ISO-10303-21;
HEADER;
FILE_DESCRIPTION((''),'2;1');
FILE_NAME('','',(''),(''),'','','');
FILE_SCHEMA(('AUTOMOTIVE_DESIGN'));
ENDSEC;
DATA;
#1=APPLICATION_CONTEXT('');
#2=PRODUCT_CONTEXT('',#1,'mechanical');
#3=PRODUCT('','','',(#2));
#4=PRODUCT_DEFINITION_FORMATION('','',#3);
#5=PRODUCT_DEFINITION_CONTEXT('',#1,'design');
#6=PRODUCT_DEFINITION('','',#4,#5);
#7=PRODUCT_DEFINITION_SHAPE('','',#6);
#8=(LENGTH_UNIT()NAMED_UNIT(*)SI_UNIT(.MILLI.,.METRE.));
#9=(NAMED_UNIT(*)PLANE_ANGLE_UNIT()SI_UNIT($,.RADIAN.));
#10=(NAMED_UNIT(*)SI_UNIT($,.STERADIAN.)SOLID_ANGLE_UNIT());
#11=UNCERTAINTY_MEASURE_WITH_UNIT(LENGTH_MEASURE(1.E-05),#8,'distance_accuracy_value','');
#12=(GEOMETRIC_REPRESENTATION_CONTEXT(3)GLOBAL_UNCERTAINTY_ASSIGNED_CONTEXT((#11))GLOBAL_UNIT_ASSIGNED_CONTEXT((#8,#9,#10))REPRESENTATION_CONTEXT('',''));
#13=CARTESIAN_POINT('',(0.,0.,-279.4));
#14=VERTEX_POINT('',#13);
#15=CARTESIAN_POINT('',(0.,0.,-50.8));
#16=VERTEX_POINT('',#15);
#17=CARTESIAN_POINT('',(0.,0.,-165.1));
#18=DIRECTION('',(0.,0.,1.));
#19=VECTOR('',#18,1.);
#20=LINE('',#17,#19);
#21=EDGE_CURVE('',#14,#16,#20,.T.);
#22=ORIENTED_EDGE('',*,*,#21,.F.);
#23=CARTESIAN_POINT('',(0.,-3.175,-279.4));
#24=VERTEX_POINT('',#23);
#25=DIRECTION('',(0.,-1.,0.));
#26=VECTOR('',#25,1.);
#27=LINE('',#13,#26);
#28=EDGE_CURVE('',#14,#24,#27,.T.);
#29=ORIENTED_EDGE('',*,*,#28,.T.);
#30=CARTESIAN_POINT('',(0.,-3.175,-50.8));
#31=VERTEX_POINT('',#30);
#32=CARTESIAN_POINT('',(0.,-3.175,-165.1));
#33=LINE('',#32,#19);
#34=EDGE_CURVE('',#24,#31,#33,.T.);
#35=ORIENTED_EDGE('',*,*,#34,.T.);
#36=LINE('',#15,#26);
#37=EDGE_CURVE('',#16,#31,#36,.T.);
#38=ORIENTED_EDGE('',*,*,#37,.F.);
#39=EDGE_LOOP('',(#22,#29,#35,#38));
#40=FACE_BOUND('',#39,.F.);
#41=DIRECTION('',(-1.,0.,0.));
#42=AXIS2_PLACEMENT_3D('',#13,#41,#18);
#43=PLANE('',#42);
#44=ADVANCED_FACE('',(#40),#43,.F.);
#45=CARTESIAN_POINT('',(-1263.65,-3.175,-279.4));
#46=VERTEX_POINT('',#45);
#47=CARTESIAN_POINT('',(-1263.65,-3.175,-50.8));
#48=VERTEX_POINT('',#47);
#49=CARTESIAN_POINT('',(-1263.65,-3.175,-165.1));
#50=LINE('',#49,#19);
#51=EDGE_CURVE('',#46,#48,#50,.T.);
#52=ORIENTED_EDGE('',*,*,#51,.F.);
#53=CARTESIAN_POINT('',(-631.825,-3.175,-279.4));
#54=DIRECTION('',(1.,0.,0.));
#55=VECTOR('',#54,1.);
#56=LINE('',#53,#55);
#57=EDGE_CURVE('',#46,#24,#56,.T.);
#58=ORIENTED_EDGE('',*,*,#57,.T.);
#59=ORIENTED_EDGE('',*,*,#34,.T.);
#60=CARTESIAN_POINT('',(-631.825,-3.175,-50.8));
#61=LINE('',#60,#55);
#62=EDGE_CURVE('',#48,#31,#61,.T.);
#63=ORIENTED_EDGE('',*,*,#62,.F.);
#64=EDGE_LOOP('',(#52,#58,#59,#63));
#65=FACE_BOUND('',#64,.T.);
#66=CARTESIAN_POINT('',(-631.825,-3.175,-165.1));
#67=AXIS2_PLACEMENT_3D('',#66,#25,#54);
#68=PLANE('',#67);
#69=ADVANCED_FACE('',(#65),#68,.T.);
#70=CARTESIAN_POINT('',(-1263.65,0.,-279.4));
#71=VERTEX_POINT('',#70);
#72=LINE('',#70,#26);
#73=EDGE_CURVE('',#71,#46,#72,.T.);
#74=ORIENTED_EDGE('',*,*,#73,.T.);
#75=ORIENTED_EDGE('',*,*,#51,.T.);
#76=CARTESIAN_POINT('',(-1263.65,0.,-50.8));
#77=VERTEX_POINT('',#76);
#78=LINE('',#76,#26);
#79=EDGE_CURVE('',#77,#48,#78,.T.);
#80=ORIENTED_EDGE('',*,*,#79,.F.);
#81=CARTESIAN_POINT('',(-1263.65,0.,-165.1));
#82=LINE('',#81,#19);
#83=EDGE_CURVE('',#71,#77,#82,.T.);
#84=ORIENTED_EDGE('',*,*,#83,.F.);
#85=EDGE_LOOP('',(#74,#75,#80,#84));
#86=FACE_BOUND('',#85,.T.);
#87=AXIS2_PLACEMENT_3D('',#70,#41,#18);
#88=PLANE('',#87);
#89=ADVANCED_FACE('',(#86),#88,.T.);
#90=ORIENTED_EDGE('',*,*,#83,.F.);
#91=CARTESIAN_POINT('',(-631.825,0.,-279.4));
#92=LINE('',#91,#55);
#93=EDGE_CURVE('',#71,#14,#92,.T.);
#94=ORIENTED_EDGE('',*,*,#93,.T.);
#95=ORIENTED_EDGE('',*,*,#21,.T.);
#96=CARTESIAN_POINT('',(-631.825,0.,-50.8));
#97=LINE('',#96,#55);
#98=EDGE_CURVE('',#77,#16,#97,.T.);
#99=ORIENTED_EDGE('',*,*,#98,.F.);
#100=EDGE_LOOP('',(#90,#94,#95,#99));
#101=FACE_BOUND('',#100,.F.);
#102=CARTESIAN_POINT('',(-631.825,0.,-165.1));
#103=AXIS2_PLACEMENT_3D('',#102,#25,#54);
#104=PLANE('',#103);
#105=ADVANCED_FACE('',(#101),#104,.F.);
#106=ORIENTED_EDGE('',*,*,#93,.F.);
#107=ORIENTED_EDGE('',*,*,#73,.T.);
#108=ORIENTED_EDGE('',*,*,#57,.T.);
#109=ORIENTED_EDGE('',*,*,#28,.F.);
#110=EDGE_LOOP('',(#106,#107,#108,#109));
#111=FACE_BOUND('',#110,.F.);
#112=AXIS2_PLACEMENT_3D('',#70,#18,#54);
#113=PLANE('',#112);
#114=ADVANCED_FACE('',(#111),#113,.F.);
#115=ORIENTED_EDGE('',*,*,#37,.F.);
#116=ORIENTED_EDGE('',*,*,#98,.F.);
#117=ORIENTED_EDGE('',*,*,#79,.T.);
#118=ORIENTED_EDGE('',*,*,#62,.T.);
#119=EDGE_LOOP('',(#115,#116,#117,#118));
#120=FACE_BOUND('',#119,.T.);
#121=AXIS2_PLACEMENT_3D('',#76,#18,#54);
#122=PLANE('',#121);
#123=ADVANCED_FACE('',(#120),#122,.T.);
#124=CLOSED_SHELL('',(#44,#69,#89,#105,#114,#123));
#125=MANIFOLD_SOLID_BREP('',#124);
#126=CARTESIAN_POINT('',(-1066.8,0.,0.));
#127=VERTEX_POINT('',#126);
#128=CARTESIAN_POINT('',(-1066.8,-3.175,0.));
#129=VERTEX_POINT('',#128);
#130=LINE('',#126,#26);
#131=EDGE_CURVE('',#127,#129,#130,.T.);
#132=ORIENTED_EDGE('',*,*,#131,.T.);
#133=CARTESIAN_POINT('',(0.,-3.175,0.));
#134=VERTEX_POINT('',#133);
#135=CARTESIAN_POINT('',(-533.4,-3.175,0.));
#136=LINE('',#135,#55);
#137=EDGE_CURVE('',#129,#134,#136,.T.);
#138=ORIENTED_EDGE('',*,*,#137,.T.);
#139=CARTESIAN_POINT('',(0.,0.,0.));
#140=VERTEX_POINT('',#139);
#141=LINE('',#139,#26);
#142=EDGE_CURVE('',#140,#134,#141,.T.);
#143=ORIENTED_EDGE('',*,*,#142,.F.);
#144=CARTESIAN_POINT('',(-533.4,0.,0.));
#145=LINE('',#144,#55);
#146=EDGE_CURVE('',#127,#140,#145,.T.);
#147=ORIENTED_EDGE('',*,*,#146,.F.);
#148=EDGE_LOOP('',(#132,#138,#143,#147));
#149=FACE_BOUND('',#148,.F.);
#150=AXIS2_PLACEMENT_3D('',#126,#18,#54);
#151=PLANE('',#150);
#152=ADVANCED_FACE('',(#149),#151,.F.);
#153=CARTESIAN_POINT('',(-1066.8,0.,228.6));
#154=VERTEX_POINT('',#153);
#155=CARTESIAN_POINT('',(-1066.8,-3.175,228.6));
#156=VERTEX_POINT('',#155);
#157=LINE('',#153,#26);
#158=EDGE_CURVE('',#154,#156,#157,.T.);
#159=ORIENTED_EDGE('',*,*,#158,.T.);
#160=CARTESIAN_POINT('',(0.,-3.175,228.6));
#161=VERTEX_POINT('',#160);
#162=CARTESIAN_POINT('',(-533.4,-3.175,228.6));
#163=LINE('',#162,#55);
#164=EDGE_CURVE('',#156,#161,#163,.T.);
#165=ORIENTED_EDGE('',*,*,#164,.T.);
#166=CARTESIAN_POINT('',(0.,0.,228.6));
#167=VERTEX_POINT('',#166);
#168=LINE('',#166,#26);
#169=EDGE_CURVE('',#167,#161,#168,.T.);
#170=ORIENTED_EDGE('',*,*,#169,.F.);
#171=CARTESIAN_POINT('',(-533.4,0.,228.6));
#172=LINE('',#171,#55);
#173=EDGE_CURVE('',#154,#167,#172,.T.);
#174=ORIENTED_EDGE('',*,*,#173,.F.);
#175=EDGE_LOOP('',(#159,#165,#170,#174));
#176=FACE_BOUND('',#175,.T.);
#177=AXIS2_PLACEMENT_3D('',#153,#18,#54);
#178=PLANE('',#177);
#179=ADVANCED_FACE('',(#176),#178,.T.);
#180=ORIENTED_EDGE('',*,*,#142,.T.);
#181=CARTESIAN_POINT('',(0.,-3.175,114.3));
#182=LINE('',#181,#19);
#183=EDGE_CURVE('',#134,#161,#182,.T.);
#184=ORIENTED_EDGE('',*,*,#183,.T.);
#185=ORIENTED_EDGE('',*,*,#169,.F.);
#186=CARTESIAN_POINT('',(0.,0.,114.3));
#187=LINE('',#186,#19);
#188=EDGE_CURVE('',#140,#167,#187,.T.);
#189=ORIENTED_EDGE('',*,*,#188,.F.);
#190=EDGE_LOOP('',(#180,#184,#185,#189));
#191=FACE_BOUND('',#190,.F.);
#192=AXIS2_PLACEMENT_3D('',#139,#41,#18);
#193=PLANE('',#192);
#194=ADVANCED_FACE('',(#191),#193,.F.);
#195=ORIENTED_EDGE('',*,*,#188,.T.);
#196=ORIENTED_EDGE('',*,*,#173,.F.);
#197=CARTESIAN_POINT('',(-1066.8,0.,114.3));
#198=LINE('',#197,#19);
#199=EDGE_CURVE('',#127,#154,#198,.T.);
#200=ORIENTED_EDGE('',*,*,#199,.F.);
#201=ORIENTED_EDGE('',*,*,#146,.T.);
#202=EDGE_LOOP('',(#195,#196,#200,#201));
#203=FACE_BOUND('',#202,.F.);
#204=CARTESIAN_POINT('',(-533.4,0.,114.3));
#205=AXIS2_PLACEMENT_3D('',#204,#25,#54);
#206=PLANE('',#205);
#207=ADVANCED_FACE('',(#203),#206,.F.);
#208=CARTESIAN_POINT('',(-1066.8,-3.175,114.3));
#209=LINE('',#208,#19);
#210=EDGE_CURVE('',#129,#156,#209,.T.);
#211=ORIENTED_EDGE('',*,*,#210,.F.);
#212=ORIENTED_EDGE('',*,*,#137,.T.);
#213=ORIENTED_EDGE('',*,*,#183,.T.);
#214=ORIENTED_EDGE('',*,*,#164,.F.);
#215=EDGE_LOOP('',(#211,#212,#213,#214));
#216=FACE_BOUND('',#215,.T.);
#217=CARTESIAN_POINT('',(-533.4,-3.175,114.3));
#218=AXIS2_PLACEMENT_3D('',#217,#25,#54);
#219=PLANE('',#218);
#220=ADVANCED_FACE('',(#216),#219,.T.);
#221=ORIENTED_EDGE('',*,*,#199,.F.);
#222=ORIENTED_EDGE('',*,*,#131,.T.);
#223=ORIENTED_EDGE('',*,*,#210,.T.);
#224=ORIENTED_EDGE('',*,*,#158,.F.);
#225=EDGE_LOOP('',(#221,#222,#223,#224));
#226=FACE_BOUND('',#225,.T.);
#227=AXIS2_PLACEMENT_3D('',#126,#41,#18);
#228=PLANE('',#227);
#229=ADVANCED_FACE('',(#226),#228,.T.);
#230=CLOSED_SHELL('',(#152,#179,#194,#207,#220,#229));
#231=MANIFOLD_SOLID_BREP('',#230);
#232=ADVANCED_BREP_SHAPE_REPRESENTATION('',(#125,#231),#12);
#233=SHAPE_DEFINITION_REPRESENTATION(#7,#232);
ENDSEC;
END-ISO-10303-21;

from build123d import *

# Parameters (mm, degrees)
F0_W     = 1066.8
F0_H     = 228.6
F0_W_2   = 1263.65
F1_DEPTH = 3.175


with BuildPart() as f1:
    # F0 (on Front) → F1 (new body)
    with BuildSketch(Plane.XZ):
        with Locations((-533.4, 114.3)):
            Rectangle(F0_W, F0_H)
        with Locations((-631.825, -165.1)):
            Rectangle(F0_W_2, F0_H)
    extrude(amount=F1_DEPTH)


solid = f1.part
